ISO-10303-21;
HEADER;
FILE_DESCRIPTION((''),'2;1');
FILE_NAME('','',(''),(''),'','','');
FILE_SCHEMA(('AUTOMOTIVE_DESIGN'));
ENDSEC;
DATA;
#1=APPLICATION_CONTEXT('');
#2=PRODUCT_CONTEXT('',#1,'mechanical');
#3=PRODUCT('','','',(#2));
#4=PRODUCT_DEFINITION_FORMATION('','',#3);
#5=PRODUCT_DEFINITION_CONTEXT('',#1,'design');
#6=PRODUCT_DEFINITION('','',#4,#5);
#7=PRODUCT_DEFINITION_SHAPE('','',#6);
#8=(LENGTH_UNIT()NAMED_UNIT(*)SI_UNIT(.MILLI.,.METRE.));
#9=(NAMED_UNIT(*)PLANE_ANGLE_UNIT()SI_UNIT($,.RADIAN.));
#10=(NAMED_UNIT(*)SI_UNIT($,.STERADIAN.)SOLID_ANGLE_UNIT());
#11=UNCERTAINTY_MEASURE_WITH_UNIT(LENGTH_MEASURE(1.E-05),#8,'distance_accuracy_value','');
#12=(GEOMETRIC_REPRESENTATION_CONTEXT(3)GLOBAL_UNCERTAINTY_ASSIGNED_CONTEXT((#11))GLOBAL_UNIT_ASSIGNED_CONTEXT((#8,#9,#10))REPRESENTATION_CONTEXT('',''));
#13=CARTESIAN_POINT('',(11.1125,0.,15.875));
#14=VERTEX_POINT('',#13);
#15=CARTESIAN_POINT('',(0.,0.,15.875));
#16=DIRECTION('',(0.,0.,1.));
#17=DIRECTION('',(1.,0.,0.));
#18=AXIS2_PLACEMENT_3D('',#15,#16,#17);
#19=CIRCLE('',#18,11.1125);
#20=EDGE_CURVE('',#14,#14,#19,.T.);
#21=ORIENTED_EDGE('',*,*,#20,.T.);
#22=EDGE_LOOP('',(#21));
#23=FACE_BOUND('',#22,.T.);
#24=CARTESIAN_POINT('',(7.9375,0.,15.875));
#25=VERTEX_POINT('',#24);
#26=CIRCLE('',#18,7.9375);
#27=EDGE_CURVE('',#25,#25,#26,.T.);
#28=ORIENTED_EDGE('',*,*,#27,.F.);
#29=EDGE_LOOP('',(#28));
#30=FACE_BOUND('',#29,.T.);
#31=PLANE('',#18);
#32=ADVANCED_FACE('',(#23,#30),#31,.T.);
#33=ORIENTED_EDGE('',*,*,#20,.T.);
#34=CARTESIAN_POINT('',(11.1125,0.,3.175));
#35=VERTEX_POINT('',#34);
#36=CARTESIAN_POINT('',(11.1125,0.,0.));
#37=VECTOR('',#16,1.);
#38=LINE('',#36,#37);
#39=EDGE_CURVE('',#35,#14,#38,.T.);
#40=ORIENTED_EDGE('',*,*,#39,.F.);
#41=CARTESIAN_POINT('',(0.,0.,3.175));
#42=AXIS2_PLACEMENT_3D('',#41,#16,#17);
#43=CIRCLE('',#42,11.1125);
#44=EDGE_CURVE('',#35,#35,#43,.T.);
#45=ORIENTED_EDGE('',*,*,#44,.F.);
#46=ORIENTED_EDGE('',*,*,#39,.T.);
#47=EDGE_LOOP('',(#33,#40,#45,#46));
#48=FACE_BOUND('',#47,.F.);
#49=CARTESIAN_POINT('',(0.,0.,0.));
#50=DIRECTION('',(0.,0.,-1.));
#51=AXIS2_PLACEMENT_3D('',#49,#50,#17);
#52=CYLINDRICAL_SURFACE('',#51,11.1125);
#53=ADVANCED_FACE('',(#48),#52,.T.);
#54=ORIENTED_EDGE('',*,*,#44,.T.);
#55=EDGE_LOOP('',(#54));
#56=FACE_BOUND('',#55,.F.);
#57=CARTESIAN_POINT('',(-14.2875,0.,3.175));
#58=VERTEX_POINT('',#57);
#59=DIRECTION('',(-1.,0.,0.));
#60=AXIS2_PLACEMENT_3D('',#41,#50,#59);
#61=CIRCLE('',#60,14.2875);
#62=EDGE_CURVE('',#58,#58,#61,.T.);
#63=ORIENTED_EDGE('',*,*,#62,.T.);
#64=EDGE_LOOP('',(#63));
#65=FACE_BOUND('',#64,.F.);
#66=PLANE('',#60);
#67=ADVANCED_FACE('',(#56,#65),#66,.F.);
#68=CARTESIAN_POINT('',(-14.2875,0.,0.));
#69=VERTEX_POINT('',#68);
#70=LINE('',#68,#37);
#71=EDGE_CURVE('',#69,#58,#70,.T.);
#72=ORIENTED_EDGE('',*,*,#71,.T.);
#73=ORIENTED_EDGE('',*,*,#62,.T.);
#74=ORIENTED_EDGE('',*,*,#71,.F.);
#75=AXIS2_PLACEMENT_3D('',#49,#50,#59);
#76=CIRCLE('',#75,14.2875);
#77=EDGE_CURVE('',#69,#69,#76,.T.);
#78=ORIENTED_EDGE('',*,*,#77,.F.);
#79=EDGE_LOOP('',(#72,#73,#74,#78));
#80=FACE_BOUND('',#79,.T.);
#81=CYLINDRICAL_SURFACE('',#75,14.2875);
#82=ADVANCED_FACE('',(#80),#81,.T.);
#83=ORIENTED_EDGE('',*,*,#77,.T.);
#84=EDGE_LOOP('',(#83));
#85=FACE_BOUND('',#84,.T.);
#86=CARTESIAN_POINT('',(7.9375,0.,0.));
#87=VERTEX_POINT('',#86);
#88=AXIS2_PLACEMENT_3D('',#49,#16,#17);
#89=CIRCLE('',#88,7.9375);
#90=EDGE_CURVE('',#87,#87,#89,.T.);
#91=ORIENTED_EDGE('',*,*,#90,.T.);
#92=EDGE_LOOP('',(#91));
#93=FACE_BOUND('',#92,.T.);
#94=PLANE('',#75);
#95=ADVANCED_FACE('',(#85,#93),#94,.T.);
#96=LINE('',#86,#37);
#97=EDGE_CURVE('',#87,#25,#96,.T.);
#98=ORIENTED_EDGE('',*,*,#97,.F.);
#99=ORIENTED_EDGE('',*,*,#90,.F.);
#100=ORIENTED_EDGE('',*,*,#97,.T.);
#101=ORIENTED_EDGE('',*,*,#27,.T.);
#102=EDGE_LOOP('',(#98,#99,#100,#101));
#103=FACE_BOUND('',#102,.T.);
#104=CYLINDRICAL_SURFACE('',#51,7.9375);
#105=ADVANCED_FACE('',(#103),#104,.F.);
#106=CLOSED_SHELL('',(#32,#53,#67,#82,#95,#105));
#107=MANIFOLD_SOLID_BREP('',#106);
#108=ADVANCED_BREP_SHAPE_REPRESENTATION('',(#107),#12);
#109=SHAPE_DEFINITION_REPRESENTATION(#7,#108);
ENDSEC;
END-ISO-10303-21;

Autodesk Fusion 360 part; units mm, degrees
sketch "Sketch1" plane through (0, 0, 0) normal (0, 0, 1) x (1, 0, 0)
  circle A0 centre (0, 0) radius 7.9375
  circle A1 centre (0, 0) radius 11.1125
  dimension "d1" = 15.875
  dimension "d2" = 22.225
extrude "Extrude1" add sketch "Sketch1" along normal blind 15.875
sketch "Sketch2" plane through (0, 0, 0) normal (0, 0, -1) x (-1, 0, 0)
  circle A0 centre (0, 0) radius 11.1125
  circle A1 centre (0, 0) radius 14.2875
  circle A2 centre (0, 0) radius 7.9375
  dimension "d5" = 28.575
extrude "Extrude2" add sketch "Sketch2" against normal blind 3.175 contours A1
equation "d1 = Shaft_ID"
equation "d2 = Housing_ID"
equation "d3 = Length"
equation "d5 = Flange_OD"
equation "d6 = FlangeT"
equation "Shaft_ID = ( 5 / 8 ) * 1 in"
equation "Housing_ID = ( 7 / 8 ) * 1 in"
equation "FlangeT = ( -1 / 8 ) * 1 in"
equation "Length = ( 5 / 8 ) * 1 in"
equation "Flange_OD = 1 1/8\""
